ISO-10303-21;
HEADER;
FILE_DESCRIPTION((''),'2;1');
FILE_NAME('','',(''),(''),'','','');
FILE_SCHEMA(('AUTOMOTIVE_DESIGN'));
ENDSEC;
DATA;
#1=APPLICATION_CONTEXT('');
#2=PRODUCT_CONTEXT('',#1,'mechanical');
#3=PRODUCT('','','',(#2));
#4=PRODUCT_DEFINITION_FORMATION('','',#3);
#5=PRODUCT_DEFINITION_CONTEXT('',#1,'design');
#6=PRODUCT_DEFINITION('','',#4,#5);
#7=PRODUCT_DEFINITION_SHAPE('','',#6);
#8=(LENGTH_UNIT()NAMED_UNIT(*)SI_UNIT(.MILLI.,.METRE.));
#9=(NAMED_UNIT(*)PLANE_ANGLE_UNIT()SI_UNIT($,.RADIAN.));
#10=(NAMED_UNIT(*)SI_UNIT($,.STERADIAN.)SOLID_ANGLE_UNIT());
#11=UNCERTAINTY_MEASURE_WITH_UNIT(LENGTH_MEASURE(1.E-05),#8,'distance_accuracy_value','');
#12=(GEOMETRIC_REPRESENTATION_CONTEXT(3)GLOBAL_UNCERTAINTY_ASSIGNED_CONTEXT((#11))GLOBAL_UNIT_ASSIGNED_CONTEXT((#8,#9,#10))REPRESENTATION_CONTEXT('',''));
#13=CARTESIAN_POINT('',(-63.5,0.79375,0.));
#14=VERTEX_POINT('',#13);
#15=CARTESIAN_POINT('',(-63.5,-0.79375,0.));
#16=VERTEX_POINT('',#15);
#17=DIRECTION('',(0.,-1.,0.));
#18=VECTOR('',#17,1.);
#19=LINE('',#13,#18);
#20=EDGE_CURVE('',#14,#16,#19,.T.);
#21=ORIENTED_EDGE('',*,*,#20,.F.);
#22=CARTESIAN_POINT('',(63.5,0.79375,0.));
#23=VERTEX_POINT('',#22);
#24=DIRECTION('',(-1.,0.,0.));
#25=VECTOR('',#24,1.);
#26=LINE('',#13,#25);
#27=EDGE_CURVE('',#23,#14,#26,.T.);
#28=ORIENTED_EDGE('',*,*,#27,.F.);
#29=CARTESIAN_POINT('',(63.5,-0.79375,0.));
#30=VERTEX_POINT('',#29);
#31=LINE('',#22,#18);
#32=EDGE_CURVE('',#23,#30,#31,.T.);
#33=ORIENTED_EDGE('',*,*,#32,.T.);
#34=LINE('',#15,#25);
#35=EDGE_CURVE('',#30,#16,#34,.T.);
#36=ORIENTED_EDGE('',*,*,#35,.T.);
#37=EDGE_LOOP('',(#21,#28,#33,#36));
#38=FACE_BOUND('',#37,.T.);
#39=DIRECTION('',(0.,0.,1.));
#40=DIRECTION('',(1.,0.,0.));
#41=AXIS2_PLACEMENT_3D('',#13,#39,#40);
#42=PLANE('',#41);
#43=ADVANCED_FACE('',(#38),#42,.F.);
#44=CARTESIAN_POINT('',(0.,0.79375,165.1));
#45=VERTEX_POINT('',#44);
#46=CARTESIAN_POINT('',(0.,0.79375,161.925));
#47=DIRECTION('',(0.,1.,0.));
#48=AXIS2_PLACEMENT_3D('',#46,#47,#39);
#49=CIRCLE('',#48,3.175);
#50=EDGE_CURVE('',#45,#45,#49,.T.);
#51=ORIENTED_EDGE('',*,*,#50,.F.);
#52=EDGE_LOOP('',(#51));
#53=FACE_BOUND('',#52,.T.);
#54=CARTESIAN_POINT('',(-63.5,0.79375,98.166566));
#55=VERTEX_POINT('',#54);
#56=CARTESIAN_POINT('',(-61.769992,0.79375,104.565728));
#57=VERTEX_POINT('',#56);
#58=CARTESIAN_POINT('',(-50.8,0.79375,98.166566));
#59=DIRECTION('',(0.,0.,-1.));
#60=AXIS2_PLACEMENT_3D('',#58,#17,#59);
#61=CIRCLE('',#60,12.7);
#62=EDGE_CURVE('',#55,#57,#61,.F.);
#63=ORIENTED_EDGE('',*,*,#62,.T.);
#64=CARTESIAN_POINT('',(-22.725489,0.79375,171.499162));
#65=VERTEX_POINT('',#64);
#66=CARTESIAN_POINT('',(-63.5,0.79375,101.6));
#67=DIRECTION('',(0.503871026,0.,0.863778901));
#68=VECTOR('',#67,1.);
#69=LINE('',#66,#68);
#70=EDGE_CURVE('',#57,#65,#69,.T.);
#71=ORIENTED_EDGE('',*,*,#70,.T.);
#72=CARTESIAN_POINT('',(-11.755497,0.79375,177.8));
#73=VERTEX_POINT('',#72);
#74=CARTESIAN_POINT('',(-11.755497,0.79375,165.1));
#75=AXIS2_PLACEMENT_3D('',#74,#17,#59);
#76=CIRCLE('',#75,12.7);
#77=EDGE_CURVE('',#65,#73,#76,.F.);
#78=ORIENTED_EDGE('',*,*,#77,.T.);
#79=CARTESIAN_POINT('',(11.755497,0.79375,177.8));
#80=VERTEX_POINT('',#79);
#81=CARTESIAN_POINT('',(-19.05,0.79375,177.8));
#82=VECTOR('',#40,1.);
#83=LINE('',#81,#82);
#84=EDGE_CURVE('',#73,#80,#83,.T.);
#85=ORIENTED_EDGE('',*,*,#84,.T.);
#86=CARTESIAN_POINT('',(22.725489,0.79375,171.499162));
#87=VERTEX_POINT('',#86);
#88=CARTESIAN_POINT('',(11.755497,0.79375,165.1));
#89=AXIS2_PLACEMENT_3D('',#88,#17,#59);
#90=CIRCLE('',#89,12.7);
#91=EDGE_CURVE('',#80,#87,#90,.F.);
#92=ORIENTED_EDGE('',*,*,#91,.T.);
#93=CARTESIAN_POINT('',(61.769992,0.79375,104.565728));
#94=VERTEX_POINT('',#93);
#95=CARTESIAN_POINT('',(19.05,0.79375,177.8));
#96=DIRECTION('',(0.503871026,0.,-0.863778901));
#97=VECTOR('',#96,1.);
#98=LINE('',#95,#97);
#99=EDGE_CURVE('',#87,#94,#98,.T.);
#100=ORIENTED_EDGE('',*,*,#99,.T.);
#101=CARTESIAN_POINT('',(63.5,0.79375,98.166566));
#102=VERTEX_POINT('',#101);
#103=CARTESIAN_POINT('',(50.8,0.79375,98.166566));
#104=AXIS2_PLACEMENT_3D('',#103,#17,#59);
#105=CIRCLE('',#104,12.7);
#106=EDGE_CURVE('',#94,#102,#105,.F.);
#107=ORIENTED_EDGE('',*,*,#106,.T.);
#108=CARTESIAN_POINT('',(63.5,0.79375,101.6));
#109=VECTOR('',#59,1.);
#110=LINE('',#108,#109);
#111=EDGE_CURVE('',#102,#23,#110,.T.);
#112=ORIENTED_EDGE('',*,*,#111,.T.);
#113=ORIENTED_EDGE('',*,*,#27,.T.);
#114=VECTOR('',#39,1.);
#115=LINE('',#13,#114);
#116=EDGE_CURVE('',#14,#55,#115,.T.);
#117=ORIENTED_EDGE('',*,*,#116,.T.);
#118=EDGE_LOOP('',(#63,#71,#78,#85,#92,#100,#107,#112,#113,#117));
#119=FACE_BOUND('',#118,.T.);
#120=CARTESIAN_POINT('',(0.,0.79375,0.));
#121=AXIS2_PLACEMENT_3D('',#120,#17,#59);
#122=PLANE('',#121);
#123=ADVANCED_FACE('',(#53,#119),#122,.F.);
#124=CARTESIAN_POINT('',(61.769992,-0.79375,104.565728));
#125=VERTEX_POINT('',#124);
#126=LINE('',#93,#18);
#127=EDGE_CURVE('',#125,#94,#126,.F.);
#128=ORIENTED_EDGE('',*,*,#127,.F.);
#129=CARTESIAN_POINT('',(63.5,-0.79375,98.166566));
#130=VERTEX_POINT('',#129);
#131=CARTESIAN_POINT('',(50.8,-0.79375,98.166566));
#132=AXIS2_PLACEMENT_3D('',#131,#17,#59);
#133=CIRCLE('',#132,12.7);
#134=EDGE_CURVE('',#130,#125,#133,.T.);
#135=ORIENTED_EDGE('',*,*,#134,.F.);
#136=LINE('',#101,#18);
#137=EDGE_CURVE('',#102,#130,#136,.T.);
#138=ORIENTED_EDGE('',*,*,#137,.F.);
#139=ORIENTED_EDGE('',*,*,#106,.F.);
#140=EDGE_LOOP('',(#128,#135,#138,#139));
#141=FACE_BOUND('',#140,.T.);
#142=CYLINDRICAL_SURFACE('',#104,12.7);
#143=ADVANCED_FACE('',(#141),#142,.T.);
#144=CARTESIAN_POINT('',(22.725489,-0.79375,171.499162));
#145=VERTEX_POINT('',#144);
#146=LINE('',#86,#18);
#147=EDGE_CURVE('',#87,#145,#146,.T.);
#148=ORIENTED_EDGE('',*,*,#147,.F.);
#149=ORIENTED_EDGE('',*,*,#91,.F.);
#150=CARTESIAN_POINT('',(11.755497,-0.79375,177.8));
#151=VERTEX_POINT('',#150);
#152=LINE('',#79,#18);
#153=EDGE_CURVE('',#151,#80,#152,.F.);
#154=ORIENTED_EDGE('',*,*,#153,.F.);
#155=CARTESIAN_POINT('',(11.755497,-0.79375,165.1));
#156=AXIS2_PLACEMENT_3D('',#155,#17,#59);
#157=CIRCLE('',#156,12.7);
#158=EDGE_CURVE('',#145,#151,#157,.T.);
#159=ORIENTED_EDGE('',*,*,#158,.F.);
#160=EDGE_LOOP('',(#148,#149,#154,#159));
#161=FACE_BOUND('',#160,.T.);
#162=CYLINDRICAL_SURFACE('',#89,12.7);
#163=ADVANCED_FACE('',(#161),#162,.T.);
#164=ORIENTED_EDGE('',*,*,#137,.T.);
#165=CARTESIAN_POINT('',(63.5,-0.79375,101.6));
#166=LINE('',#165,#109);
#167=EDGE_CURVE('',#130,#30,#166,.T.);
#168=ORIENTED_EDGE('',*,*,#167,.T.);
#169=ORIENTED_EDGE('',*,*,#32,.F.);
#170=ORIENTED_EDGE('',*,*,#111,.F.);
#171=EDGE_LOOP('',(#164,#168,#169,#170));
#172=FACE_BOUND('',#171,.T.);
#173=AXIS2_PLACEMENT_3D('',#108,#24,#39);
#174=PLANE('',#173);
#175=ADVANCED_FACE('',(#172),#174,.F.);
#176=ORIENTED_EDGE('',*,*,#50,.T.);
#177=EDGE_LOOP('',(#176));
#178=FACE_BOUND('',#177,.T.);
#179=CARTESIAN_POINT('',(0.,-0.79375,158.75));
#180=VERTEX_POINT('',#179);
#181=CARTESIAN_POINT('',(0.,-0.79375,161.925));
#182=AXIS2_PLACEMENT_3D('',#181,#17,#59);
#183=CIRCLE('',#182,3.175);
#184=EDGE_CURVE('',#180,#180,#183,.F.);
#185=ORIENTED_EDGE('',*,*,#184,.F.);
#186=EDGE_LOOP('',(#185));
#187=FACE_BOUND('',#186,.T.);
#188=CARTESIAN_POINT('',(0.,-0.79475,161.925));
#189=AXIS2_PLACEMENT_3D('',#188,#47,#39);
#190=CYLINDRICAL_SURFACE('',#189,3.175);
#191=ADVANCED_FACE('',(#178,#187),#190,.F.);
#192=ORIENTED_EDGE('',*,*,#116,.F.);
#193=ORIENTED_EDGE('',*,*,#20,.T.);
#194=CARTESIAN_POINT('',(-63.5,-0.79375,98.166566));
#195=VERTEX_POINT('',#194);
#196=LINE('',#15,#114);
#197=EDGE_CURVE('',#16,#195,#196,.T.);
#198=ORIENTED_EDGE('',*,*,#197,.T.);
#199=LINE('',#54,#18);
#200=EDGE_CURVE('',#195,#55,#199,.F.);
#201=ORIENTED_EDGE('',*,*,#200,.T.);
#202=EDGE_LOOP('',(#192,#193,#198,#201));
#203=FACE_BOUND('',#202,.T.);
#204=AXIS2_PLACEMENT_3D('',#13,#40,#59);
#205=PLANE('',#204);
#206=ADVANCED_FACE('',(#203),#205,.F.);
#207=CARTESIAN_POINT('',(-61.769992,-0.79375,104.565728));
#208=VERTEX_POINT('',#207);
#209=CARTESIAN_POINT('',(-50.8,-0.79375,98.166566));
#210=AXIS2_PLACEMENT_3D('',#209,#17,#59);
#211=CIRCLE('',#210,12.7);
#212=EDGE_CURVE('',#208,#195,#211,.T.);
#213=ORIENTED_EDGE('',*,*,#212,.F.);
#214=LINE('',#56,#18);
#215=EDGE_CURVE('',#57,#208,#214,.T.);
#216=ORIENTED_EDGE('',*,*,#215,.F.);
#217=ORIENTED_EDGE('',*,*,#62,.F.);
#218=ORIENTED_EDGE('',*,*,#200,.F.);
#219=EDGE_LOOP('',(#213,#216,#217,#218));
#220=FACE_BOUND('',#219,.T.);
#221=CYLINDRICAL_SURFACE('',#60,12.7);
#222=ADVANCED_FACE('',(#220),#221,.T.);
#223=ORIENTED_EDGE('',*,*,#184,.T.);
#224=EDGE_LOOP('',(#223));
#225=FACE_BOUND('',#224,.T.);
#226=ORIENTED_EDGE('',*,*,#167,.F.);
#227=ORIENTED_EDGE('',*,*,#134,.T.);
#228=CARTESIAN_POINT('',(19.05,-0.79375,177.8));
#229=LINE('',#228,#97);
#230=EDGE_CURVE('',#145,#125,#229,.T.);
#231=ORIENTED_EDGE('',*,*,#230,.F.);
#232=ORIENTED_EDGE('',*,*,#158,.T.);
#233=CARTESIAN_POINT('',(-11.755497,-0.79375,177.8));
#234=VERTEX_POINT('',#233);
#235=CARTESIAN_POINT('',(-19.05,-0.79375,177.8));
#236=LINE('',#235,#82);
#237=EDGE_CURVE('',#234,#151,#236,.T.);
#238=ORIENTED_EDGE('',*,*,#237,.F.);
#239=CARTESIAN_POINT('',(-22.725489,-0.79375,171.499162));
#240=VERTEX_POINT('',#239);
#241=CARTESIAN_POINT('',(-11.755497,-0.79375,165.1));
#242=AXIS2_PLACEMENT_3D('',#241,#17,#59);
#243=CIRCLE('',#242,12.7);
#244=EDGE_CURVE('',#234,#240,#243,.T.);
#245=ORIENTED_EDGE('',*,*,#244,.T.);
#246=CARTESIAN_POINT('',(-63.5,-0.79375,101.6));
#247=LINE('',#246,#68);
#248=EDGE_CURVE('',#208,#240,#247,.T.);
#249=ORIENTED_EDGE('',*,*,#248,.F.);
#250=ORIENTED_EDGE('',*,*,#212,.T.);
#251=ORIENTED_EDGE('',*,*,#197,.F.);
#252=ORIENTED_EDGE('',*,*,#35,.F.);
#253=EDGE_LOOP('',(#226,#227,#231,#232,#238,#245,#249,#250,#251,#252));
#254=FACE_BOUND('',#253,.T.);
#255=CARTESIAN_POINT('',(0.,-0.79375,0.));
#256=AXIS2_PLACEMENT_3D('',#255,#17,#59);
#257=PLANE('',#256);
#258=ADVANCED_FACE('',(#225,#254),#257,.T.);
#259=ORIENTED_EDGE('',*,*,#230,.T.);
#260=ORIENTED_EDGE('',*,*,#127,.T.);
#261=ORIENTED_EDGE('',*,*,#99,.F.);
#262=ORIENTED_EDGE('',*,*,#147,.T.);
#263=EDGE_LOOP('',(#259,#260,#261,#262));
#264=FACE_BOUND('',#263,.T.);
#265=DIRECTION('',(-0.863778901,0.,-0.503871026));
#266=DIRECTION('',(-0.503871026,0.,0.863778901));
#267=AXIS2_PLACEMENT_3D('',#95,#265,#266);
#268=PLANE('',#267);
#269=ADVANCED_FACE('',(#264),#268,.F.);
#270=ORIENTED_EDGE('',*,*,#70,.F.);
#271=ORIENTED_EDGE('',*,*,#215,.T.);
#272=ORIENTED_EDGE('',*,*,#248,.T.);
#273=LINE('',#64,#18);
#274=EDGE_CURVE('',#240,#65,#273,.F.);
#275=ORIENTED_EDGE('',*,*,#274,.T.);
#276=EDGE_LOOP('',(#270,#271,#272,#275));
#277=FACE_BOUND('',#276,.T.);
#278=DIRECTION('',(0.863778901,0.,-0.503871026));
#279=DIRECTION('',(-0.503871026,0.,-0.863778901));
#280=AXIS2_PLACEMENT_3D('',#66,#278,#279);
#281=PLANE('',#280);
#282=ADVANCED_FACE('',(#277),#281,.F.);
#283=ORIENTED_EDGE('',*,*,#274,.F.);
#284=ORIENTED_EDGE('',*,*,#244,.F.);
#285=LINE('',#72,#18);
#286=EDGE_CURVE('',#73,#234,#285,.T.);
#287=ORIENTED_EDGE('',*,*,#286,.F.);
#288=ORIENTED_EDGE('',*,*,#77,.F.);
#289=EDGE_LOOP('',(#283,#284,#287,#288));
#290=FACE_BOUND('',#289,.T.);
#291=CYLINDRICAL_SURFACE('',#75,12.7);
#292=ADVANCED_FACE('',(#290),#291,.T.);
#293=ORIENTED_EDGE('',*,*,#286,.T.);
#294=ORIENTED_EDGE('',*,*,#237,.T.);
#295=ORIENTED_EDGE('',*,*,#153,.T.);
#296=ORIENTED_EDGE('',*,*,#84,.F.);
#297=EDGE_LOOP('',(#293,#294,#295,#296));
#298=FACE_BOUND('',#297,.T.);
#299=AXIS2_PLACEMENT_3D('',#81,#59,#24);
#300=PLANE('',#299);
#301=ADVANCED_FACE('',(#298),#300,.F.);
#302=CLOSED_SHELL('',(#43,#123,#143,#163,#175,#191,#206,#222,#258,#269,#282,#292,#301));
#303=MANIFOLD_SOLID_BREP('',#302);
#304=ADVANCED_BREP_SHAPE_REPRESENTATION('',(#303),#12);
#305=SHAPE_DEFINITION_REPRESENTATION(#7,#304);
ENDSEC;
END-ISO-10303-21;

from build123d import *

# Parameters (mm, degrees)
BOSS_EXTRUDE1_DEPTH = 0.79375
FILLET1_R           = 12.7
CUT_EXTRUDE1_REACH  = 190.806
SKETCH2_R           = 3.175


with BuildPart() as part:
    # Sketch1 → Boss-Extrude1 (new, symmetric)
    with BuildSketch(Plane(origin=(0, 0, 0), x_dir=(1, 0, 0), z_dir=(0, 1, 0))):
        Polygon((-63.5, 0), (63.5, 0), (63.5, -101.6), (19.05, -177.8), (-19.05, -177.8), (-63.5, -101.6), align=None)
    extrude(amount=BOSS_EXTRUDE1_DEPTH, both=True)

    # Fillet1
    fillet1_edges = [part.edges().sort_by_distance(p)[0] for p in [
        (19.05, 0, 177.8),
        (-19.05, 0, 177.8),
        (-63.5, 0, 101.6),
        (63.5, 0, 101.6),
    ]]
    fillet(fillet1_edges, radius=FILLET1_R)

    # Sketch2 → Cut-Extrude1 (cut, up to next)
    with BuildSketch(Plane(origin=(0, 0.79375, 0), x_dir=(1, 0, 0), z_dir=(0, 1, 0)), mode=Mode.PRIVATE) as cut_extrude1_sk1:
        with Locations(Location((0, -161.925, 0), (0, 0, 270))):
            Circle(SKETCH2_R)
    cut_extrude1_tool1 = extrude(cut_extrude1_sk1.sketch, amount=-CUT_EXTRUDE1_REACH, mode=Mode.PRIVATE) & part.part
    add(cut_extrude1_tool1.solids().sort_by_distance((0, 0.79375, 161.925))[0], mode=Mode.SUBTRACT)


solid = part.part
